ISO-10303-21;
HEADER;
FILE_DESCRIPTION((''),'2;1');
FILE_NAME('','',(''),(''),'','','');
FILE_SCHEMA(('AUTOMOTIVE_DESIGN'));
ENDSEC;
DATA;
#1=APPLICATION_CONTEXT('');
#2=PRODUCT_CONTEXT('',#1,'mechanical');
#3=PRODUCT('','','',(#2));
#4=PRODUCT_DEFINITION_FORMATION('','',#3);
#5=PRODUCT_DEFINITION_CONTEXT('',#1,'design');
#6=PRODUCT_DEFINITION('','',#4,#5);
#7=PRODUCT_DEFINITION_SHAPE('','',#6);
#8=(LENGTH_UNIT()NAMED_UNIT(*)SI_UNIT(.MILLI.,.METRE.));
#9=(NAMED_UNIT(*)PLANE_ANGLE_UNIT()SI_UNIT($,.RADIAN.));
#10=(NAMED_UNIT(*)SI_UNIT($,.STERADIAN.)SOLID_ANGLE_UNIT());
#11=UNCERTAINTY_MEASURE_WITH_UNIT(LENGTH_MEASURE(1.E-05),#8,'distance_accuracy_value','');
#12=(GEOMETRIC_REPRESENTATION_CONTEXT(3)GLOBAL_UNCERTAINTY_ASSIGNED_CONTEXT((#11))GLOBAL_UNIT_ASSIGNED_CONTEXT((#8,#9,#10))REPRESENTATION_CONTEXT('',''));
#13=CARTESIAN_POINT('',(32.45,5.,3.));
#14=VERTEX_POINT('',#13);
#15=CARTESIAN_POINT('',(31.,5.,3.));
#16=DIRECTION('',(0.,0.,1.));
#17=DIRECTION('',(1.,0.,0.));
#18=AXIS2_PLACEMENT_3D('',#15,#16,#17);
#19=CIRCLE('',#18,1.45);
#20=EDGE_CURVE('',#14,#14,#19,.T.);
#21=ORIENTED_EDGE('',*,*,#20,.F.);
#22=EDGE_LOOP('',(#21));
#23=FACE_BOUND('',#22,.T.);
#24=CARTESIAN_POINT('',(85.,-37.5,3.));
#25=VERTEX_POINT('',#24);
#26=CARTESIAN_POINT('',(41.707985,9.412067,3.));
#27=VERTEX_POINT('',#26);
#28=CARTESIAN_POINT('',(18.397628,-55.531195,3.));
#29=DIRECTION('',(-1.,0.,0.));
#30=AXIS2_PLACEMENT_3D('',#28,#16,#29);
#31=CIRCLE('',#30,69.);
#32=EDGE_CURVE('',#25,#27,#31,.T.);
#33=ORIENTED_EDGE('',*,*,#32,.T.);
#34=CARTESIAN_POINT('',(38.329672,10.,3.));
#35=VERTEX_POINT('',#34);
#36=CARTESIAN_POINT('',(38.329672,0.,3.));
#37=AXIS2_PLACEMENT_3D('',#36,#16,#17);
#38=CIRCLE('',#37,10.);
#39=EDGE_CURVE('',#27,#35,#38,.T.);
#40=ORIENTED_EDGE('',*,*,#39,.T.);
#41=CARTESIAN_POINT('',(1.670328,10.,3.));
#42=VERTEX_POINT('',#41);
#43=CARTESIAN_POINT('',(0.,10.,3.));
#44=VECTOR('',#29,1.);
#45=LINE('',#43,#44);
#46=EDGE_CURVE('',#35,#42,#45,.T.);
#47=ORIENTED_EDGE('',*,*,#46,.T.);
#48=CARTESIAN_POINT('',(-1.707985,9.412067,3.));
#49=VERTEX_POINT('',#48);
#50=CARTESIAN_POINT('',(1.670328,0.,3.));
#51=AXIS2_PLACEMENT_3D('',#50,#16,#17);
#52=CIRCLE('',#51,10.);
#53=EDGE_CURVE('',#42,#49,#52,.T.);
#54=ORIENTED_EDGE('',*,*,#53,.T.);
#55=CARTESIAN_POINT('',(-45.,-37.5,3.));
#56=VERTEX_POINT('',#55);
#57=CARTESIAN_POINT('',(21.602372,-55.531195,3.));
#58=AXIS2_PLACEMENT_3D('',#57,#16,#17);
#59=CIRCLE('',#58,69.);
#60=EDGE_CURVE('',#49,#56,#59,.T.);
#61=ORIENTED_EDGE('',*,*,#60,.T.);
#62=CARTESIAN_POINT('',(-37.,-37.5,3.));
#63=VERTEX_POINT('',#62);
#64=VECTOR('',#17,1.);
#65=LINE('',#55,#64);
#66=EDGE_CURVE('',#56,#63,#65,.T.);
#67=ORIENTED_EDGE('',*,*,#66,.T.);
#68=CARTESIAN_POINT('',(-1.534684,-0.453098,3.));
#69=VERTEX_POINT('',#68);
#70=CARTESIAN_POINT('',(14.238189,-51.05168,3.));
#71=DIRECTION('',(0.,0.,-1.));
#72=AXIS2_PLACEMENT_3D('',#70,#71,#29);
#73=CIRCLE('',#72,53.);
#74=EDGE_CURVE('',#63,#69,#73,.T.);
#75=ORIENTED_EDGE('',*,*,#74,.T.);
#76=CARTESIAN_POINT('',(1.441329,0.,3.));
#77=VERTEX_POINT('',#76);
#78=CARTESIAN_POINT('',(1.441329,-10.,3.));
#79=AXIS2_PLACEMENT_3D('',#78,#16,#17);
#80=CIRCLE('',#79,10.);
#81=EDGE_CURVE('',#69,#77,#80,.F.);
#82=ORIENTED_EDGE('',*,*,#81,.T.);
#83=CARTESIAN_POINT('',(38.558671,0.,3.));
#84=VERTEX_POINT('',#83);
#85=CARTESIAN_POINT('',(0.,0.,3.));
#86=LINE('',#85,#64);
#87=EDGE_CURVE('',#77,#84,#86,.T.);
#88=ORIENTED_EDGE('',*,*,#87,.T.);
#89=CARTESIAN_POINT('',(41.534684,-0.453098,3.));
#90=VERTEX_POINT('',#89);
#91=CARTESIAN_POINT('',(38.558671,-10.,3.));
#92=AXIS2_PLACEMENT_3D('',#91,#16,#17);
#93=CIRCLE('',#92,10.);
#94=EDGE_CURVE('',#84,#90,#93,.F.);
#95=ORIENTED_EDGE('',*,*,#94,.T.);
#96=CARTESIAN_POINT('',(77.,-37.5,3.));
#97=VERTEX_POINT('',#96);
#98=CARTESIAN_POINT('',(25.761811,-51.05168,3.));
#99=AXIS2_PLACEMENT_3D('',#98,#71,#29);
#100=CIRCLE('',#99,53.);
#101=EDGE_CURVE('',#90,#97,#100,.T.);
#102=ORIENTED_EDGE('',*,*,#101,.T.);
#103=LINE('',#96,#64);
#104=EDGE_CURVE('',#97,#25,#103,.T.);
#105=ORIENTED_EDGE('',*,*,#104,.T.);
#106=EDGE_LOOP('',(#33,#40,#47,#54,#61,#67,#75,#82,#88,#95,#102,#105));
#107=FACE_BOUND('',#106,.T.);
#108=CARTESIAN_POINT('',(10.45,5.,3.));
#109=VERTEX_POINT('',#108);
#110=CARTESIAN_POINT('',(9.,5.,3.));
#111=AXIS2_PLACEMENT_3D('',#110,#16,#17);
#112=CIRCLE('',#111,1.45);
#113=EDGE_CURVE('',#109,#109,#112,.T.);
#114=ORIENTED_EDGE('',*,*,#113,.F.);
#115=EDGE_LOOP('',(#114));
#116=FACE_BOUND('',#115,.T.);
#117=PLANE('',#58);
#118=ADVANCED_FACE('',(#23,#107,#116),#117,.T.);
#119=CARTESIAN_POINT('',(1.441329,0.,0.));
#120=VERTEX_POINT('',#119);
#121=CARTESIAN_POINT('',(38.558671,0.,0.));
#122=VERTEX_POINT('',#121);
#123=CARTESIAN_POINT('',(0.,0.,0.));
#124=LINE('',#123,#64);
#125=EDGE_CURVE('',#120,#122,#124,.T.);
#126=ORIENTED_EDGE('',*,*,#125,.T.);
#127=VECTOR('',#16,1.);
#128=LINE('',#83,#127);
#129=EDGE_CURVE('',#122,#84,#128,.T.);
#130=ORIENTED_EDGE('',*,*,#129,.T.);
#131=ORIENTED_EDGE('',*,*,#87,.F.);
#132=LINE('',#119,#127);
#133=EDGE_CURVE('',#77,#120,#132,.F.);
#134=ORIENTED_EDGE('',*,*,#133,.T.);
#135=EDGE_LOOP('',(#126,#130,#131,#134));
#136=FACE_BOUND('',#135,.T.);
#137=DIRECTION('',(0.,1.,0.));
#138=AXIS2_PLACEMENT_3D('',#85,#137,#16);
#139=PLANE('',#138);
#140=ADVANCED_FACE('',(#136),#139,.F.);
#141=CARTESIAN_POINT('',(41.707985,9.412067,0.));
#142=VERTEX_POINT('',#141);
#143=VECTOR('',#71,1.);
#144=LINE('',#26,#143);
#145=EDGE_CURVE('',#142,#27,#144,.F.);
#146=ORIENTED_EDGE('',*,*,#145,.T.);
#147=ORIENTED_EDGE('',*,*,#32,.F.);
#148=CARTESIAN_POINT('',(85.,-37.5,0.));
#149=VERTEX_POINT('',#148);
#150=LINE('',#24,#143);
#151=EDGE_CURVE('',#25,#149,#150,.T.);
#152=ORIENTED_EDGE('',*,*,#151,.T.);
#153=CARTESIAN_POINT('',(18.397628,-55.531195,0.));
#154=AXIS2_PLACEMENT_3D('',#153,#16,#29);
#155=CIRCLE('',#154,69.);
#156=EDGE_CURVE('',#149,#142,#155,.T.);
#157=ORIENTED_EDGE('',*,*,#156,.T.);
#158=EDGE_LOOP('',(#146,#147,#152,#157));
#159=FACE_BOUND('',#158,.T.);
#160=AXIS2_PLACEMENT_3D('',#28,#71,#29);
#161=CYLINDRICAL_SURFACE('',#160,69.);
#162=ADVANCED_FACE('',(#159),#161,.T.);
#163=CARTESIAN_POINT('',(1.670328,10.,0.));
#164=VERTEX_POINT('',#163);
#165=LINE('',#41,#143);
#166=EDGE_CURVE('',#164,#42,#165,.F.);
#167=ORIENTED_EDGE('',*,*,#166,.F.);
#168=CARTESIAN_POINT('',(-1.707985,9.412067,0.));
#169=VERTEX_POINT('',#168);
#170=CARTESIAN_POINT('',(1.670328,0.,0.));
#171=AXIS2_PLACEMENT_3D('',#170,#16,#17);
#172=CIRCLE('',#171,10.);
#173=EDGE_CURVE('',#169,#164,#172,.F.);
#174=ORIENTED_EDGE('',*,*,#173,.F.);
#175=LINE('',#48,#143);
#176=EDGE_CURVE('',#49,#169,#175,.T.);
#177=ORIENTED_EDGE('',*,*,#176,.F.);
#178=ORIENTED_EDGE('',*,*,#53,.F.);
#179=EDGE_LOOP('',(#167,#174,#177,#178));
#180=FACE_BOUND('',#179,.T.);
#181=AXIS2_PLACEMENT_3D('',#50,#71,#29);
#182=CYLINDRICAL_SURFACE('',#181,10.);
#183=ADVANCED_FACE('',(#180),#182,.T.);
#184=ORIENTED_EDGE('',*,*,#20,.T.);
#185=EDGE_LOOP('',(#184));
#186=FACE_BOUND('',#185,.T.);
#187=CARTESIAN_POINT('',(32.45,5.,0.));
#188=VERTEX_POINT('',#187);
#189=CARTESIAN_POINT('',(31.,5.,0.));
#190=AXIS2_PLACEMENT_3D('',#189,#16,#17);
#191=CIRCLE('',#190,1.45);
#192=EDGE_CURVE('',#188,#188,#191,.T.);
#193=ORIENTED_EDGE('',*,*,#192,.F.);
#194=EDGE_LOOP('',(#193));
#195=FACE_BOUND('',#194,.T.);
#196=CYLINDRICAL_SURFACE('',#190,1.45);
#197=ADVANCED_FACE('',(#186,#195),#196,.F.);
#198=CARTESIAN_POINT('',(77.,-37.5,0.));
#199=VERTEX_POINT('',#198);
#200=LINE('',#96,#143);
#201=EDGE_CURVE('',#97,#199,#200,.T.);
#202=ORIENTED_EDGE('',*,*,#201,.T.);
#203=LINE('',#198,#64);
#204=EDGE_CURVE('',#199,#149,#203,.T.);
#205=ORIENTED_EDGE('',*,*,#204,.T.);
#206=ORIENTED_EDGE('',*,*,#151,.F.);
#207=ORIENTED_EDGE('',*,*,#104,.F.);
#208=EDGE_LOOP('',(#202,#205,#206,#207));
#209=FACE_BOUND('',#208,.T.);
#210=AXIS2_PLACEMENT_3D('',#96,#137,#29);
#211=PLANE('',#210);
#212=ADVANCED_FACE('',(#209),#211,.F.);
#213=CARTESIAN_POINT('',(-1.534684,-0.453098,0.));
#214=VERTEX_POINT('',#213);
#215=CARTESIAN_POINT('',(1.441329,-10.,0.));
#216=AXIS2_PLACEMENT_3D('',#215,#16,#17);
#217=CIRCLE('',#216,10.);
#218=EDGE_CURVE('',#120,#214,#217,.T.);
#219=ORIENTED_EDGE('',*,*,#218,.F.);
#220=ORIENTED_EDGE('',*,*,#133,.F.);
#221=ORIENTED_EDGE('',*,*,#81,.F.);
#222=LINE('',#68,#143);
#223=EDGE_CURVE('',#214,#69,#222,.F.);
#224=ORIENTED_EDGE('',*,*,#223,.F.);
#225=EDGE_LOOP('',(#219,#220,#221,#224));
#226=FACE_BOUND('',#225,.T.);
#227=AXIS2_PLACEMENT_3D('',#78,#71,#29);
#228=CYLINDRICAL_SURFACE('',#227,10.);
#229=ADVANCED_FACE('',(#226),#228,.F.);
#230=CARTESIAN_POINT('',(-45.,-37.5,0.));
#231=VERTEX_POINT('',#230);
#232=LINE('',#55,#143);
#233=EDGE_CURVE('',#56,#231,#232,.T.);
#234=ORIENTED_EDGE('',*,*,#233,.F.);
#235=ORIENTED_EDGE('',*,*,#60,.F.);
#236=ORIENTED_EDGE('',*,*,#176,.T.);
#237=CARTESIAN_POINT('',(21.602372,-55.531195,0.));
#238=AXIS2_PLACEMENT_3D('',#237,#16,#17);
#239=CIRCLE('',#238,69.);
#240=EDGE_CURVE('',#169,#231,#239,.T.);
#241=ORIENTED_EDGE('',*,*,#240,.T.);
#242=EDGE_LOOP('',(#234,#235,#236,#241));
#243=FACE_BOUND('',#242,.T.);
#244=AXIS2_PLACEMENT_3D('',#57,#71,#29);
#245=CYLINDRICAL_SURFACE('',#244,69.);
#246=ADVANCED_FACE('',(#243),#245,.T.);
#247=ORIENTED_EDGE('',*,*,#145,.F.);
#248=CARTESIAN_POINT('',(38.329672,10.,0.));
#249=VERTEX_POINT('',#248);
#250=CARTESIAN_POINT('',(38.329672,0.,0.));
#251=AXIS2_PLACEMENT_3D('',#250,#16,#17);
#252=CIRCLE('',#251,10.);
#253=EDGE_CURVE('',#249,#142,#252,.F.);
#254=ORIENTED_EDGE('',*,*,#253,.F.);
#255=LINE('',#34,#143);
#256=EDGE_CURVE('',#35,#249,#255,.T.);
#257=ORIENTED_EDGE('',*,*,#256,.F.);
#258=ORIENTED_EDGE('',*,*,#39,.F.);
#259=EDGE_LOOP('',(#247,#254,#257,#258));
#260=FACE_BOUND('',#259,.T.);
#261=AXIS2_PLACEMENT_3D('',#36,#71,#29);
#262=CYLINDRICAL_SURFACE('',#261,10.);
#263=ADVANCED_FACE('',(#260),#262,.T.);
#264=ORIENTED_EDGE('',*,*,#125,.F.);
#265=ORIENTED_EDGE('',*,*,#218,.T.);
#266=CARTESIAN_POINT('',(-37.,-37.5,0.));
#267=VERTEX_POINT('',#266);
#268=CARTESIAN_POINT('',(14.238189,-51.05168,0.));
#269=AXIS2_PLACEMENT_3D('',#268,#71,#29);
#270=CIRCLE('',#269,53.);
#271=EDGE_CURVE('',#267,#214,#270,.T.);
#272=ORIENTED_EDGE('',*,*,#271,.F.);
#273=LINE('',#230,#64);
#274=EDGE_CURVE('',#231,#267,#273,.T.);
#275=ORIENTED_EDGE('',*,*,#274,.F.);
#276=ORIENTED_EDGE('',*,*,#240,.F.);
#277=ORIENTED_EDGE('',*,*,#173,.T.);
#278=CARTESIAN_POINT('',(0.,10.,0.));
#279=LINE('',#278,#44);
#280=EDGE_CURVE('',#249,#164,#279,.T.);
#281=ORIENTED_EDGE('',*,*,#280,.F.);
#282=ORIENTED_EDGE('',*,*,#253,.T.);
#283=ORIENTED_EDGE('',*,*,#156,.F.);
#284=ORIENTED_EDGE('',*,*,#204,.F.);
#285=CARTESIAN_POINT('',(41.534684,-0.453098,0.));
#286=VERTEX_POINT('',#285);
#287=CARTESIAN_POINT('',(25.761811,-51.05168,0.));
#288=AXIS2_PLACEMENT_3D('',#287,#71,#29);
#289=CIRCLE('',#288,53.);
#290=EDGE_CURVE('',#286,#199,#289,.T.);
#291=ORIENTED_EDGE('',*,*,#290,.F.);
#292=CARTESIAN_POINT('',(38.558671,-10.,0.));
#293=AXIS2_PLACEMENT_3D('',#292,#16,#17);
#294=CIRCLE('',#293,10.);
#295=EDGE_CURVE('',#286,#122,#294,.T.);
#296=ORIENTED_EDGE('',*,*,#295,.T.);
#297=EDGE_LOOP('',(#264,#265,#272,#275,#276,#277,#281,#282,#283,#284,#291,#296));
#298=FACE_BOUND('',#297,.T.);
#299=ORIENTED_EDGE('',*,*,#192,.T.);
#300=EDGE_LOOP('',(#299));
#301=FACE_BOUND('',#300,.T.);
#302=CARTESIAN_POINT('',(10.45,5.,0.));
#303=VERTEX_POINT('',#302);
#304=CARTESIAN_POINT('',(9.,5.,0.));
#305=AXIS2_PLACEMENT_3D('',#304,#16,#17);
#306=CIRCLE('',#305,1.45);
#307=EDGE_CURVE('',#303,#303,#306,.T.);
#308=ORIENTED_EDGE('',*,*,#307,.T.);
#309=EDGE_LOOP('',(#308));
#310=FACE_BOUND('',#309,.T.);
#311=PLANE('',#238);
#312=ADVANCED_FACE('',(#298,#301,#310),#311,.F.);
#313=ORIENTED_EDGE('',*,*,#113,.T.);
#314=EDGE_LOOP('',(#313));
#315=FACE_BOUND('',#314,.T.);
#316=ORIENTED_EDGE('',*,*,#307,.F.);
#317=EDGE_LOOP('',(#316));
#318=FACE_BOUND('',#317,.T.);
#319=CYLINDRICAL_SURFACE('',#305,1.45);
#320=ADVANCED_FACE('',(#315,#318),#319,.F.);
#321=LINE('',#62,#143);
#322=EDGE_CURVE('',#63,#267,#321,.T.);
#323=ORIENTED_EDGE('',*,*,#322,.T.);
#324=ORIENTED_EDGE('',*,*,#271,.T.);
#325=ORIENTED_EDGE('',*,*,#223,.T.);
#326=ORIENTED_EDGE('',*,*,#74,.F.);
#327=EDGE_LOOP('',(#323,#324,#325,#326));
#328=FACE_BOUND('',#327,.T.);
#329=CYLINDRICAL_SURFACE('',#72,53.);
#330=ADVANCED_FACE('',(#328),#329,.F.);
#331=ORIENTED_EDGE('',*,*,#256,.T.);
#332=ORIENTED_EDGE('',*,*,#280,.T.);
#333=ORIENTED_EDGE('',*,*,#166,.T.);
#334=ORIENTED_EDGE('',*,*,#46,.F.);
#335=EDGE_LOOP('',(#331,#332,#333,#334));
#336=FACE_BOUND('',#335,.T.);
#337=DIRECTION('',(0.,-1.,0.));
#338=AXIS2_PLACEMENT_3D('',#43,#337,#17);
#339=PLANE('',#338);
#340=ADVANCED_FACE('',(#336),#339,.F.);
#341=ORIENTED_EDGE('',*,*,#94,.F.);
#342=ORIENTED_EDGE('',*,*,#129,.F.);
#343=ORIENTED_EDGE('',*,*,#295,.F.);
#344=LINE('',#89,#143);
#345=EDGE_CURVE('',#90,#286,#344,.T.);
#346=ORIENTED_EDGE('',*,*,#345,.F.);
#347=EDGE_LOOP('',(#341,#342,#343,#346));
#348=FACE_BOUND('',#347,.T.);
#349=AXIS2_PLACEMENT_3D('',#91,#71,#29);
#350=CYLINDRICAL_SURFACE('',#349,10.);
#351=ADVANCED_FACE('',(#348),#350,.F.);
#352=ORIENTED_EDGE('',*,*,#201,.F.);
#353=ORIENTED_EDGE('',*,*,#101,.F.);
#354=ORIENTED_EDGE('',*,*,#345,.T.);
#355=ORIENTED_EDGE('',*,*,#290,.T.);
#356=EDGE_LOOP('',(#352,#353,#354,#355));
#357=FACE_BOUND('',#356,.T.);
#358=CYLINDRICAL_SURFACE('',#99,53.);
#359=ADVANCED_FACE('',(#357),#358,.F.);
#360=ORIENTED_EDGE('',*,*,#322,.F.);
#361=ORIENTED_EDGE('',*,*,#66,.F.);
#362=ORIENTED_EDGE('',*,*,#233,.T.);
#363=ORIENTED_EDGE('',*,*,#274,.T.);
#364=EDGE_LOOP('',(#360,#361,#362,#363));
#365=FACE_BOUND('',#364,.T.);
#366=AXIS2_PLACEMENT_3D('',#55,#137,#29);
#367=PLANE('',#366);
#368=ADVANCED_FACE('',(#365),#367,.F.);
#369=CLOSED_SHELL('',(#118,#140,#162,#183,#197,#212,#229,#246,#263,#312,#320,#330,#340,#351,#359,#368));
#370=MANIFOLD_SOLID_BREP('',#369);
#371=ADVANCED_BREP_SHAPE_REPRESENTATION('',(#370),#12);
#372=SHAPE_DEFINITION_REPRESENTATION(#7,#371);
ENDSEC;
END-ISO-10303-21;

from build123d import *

# Parameters (mm, degrees)
EXTRUDE_1_DEPTH     = 3
SKETCH_3_R          = 1.45
CUT_EXTRUDE_2_DEPTH = 93.952945085
FILLET_1_R          = 10


with BuildPart() as part:
    # 草图1 → 凸台-拉伸1 (new body)
    with BuildSketch(Plane.XY):
        with BuildLine():
            Line((-45, -37.5), (-37, -37.5))
            ThreePointArc((-37, -37.5), (-23.489142232, -13.827379664), (0, 0))
            Line((0, 0), (40, 0))
            ThreePointArc((40, 0), (63.489142232, -13.827379664), (77, -37.5))
            Line((77, -37.5), (85, -37.5))
            ThreePointArc((85, -37.5), (68.488362784, -8.076814205), (40, 10))
            Line((40, 10), (0, 10))
            ThreePointArc((0, 10), (-28.488362784, -8.076814205), (-45, -37.5))
        make_face()
    extrude(amount=EXTRUDE_1_DEPTH)

    # 草图3 → 切除-拉伸2 (cut, through all)
    with BuildSketch(Plane.XY.offset(3)):
        with Locations((9, 5)):
            Circle(SKETCH_3_R)
        with Locations((31, 5)):
            Circle(SKETCH_3_R)
    extrude(amount=-CUT_EXTRUDE_2_DEPTH, mode=Mode.SUBTRACT)

    # 圆角1
    fillet_1_edges = [part.edges().sort_by_distance(p)[0] for p in [
        (0, 10, 1.5),
        (40, 10, 1.5),
        (40, 0, 1.5),
        (0, 0, 1.5),
    ]]
    fillet(fillet_1_edges, radius=FILLET_1_R)


solid = part.part
